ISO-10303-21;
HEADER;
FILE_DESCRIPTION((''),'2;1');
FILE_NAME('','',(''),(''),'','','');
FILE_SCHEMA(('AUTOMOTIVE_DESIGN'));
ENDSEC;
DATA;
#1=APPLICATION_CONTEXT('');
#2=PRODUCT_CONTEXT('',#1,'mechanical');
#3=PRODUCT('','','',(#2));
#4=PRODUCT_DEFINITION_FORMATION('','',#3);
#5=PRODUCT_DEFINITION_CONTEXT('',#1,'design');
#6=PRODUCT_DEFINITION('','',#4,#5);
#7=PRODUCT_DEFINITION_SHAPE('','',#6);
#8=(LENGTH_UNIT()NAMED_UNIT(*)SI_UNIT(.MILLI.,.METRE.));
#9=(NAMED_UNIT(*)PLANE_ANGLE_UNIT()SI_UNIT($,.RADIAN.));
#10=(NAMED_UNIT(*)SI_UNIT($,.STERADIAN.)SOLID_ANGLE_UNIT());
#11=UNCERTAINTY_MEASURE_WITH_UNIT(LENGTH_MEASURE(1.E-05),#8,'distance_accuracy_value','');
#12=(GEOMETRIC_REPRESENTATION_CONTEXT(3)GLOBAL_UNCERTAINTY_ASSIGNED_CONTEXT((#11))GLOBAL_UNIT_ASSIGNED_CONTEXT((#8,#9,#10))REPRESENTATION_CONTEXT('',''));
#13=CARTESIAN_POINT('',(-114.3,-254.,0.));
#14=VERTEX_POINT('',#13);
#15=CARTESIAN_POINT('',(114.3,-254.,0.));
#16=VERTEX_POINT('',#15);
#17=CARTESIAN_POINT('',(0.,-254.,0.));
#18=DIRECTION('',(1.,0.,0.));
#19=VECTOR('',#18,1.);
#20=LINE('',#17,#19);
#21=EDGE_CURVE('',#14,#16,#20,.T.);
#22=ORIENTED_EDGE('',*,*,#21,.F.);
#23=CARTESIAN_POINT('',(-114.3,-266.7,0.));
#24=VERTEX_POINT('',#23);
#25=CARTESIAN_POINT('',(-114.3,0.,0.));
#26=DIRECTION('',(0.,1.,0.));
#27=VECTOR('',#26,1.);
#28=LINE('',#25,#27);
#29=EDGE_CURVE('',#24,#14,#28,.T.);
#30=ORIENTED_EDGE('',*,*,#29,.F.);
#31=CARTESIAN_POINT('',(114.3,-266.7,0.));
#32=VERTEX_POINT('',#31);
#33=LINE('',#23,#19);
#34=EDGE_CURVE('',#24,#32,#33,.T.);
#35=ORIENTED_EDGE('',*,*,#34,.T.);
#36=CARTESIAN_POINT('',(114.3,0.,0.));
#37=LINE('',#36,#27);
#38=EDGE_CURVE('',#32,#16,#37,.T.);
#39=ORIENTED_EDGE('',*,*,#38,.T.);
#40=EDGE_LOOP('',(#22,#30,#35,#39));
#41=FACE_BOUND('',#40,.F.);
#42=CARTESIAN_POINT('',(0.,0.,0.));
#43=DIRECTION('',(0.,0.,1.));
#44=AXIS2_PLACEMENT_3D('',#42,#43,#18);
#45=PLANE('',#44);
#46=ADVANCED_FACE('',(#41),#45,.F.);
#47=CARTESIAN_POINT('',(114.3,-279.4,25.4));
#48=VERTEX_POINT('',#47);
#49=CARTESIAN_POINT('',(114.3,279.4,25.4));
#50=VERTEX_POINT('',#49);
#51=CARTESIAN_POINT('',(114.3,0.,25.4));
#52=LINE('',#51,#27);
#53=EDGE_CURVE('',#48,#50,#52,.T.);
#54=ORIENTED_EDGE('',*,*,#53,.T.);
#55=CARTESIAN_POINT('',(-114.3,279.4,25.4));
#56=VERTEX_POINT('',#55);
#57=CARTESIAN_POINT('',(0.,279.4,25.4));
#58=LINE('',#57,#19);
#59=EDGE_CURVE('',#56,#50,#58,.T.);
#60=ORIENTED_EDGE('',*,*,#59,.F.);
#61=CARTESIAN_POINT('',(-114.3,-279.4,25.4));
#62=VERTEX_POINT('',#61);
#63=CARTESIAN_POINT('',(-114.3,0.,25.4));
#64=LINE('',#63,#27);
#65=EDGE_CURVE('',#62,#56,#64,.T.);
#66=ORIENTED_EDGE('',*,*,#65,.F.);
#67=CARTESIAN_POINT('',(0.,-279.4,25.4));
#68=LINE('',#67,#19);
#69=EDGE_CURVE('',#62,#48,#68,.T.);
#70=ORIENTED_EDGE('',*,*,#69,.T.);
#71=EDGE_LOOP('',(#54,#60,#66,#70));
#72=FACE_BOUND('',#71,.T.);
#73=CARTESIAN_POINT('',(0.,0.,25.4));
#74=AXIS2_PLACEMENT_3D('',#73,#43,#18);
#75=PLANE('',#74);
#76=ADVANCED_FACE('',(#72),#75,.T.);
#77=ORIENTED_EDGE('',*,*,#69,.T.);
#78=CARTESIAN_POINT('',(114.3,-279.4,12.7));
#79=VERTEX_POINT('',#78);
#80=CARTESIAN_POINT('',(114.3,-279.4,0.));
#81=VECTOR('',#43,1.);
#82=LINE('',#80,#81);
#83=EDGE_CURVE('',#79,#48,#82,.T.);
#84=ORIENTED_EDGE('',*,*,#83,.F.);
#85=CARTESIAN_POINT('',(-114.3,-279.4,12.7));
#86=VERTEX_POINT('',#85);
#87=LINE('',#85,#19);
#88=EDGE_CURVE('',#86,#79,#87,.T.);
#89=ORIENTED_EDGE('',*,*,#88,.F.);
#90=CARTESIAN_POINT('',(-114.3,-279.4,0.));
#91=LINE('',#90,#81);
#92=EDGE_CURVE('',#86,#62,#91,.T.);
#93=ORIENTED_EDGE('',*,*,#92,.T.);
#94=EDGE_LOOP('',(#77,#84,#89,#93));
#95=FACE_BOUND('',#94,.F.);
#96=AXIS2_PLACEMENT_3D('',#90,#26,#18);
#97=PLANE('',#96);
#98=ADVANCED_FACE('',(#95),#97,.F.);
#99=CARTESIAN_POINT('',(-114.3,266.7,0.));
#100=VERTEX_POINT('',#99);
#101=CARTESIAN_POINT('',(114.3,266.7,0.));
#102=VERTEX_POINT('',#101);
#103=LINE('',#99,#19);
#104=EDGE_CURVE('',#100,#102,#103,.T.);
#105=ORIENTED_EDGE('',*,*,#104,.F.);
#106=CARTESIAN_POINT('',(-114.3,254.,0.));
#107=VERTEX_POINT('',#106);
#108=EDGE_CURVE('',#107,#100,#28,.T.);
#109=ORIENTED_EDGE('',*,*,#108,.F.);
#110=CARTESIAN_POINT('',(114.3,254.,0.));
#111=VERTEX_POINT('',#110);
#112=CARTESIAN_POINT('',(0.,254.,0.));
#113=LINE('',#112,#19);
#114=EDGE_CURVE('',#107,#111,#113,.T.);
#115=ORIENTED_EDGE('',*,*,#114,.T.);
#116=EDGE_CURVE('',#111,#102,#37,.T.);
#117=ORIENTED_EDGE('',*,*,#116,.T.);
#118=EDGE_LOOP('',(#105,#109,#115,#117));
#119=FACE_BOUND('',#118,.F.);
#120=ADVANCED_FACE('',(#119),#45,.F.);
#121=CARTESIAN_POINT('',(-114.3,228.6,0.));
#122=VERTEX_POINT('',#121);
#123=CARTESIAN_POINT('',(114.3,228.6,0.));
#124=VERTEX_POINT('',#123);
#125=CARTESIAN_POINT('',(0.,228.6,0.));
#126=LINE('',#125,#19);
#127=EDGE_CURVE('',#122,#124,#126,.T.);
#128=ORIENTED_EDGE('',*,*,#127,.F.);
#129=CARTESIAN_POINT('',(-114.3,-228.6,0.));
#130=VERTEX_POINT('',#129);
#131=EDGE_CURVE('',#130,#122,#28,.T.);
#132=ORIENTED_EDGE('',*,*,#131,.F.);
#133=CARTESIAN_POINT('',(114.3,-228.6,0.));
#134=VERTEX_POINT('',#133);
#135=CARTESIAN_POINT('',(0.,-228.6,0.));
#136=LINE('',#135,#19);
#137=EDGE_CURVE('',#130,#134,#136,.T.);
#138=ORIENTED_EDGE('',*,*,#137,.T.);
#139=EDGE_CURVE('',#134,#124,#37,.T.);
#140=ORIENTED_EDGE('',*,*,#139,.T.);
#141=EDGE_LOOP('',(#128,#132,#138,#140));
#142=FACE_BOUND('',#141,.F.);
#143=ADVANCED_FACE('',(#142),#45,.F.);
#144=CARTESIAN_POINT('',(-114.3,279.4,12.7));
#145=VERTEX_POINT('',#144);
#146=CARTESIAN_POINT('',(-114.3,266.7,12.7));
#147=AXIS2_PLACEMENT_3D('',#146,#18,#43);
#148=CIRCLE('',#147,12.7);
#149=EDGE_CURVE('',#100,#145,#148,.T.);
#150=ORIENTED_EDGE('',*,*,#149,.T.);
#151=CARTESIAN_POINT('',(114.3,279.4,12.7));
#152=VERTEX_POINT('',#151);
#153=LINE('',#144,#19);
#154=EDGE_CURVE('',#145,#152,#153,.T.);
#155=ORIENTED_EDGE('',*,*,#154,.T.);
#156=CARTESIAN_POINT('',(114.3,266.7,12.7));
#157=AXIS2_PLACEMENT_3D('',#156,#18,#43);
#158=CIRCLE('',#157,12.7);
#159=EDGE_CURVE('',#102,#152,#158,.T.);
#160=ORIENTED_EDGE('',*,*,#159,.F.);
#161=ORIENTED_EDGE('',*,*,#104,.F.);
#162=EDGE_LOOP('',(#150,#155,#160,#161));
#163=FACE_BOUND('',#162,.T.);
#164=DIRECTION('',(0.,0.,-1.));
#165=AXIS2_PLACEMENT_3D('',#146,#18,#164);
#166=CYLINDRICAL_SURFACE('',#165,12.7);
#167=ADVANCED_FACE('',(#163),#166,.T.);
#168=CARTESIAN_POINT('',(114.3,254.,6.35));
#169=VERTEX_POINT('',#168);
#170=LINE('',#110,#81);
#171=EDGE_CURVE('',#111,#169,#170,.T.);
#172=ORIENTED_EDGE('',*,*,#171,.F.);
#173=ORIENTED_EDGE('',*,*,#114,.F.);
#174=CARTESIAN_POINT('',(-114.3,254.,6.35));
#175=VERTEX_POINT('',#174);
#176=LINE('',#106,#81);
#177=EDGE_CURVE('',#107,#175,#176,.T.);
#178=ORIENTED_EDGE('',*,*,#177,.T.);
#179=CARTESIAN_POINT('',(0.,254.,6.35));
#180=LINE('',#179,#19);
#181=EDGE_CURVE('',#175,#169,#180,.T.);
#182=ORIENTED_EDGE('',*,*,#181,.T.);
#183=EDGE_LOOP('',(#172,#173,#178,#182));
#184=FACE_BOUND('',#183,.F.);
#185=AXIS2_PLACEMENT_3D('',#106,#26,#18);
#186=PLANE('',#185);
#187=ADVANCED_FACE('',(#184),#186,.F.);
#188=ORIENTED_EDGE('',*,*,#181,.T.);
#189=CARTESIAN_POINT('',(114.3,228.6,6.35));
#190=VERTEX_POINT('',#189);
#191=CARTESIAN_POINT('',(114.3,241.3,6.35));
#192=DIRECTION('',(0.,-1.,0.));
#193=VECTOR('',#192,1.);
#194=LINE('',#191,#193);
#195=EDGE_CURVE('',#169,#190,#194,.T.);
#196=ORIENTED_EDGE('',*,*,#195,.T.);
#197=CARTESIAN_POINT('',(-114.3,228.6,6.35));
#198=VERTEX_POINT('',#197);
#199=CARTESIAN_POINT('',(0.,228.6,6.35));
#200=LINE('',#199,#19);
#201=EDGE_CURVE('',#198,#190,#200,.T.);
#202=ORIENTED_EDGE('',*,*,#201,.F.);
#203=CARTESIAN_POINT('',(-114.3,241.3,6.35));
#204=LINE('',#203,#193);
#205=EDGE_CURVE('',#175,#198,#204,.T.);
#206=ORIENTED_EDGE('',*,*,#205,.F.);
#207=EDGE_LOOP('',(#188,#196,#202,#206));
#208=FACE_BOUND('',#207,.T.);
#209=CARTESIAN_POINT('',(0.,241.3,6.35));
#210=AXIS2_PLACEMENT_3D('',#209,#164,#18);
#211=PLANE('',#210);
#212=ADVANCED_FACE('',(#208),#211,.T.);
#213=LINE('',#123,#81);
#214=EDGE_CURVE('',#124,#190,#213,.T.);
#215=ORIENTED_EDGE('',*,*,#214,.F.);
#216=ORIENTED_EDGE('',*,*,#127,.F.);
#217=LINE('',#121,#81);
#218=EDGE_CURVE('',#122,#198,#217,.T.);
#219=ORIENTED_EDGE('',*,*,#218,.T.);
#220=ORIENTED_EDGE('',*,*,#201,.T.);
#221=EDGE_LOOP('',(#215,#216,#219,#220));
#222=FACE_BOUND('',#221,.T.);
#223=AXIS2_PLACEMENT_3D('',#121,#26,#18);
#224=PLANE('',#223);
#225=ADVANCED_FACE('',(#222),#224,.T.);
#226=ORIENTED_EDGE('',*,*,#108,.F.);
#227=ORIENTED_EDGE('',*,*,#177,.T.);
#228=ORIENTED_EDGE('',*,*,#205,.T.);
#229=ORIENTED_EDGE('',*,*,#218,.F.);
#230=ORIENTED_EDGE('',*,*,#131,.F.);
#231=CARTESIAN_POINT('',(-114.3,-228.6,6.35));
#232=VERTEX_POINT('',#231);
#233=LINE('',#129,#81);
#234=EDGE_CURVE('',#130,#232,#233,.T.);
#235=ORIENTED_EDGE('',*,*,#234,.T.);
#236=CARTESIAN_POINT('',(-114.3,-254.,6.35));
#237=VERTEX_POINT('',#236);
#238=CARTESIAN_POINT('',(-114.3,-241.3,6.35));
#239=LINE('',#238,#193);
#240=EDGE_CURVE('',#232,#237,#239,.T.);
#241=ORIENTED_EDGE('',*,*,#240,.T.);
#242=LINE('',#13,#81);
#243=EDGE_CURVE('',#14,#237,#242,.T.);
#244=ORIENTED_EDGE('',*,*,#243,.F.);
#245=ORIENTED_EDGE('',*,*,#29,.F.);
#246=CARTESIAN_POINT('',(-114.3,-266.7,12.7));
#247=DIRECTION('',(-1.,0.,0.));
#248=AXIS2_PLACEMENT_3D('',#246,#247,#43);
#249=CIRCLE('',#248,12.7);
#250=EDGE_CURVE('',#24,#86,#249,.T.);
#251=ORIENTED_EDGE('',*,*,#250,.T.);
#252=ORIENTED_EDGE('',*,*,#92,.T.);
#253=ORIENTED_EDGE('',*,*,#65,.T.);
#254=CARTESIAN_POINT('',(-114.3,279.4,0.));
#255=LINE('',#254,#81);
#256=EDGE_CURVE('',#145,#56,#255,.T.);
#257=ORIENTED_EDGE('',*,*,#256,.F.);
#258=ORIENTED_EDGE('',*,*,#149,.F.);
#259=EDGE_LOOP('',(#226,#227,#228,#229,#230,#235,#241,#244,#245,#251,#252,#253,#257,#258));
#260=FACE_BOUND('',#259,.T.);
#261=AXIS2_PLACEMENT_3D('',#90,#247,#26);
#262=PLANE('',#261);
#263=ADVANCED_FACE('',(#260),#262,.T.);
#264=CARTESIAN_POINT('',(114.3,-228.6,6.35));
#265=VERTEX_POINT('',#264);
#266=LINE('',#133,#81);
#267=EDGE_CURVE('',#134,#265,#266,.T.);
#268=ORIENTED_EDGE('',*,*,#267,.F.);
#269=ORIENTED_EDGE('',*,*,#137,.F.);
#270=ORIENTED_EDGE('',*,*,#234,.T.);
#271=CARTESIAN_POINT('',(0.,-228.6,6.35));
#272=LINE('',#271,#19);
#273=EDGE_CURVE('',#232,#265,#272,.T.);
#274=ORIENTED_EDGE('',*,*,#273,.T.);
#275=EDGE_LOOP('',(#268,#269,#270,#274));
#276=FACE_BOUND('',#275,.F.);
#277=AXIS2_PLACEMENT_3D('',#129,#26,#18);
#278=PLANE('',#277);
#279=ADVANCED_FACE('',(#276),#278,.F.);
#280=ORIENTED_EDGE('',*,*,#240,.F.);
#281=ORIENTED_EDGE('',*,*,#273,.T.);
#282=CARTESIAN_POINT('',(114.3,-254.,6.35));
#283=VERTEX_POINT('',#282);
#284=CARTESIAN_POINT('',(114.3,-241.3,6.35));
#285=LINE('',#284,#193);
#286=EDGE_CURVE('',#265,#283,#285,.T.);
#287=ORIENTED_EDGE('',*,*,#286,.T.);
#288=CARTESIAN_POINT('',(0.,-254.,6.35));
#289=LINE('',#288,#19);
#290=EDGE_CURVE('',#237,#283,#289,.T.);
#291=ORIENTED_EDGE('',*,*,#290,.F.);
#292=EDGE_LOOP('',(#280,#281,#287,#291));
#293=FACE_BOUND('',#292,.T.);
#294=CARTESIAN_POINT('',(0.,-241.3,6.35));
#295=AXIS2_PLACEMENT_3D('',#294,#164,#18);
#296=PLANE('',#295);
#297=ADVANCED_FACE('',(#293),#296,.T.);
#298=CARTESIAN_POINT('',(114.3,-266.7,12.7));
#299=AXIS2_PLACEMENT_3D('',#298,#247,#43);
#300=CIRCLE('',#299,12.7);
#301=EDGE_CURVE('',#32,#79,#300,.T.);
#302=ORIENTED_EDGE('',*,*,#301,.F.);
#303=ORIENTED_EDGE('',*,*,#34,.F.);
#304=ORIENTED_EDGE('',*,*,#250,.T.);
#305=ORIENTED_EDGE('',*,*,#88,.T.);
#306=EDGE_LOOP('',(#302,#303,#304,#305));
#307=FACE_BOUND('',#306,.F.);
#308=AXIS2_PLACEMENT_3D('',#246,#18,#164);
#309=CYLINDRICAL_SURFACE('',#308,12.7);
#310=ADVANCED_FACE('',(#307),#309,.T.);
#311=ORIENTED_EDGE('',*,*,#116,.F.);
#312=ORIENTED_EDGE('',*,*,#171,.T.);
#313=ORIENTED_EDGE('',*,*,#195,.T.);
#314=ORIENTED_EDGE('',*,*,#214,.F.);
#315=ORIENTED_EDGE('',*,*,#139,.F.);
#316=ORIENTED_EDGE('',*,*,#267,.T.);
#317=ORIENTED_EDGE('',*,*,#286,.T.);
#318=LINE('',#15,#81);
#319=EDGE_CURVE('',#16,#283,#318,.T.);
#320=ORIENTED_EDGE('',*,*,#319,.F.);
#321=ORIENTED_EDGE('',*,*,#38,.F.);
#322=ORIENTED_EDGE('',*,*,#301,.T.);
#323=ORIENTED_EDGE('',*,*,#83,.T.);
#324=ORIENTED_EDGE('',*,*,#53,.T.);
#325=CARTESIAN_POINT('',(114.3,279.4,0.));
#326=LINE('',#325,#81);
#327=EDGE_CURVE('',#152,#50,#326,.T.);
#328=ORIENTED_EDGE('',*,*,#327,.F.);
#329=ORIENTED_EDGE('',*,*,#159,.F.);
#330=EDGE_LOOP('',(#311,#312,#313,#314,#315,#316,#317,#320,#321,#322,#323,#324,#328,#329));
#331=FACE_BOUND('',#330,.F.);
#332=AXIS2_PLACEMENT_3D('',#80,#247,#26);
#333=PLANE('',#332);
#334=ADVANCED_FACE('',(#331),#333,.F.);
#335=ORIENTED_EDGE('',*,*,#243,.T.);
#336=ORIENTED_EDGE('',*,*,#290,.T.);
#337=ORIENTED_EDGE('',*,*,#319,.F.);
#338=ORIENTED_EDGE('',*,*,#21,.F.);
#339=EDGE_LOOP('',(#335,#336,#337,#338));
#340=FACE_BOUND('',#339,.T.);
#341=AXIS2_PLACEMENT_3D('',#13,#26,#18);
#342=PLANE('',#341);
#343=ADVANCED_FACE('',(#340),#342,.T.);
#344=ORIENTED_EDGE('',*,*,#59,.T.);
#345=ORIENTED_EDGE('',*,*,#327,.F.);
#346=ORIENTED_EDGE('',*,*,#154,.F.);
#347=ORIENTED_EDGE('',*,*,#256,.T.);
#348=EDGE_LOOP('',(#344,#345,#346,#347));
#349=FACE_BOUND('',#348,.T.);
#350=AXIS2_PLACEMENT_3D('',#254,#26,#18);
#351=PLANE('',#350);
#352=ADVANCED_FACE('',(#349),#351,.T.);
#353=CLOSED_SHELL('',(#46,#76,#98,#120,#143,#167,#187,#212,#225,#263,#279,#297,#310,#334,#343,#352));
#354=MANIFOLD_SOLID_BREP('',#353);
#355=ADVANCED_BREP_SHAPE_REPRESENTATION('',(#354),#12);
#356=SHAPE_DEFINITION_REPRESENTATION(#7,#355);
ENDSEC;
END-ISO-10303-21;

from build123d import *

# Parameters (mm, degrees)
F0_W     = 228.6
F0_H     = 558.8
F1_DEPTH = 25.4
F2_W     = 228.6
F2_H     = 25.4
F3_DEPTH = 6.35
F4_W     = 228.6
F4_H     = 25.4
F5_DEPTH = 6.35
F6_R     = 12.7


with BuildPart() as f1:
    # F0 (on Top) → F1 (new body)
    with BuildSketch(Plane.XY):
        Rectangle(F0_W, F0_H)
    extrude(amount=F1_DEPTH)

    # F2 (on face) → F3 (cut)
    with BuildSketch(Plane(origin=(0, 0, 0), x_dir=(1, 0, 0), z_dir=(0, 0, -1))):
        with Locations((0, 241.3)):
            Rectangle(F2_W, F2_H)
    extrude(amount=-F3_DEPTH, mode=Mode.SUBTRACT)

    # F4 (on face) → F5 (cut)
    with BuildSketch(Plane(origin=(0, 0, 0), x_dir=(1, 0, 0), z_dir=(0, 0, -1))):
        with Locations((0, -241.3)):
            Rectangle(F4_W, F4_H)
    extrude(amount=-F5_DEPTH, mode=Mode.SUBTRACT)

    # F6
    f6_edges = [f1.edges().sort_by_distance(p)[0] for p in [
        (0, -279.4, 0),
        (0, 279.4, 0),
    ]]
    fillet(f6_edges, radius=F6_R)


solid = f1.part
